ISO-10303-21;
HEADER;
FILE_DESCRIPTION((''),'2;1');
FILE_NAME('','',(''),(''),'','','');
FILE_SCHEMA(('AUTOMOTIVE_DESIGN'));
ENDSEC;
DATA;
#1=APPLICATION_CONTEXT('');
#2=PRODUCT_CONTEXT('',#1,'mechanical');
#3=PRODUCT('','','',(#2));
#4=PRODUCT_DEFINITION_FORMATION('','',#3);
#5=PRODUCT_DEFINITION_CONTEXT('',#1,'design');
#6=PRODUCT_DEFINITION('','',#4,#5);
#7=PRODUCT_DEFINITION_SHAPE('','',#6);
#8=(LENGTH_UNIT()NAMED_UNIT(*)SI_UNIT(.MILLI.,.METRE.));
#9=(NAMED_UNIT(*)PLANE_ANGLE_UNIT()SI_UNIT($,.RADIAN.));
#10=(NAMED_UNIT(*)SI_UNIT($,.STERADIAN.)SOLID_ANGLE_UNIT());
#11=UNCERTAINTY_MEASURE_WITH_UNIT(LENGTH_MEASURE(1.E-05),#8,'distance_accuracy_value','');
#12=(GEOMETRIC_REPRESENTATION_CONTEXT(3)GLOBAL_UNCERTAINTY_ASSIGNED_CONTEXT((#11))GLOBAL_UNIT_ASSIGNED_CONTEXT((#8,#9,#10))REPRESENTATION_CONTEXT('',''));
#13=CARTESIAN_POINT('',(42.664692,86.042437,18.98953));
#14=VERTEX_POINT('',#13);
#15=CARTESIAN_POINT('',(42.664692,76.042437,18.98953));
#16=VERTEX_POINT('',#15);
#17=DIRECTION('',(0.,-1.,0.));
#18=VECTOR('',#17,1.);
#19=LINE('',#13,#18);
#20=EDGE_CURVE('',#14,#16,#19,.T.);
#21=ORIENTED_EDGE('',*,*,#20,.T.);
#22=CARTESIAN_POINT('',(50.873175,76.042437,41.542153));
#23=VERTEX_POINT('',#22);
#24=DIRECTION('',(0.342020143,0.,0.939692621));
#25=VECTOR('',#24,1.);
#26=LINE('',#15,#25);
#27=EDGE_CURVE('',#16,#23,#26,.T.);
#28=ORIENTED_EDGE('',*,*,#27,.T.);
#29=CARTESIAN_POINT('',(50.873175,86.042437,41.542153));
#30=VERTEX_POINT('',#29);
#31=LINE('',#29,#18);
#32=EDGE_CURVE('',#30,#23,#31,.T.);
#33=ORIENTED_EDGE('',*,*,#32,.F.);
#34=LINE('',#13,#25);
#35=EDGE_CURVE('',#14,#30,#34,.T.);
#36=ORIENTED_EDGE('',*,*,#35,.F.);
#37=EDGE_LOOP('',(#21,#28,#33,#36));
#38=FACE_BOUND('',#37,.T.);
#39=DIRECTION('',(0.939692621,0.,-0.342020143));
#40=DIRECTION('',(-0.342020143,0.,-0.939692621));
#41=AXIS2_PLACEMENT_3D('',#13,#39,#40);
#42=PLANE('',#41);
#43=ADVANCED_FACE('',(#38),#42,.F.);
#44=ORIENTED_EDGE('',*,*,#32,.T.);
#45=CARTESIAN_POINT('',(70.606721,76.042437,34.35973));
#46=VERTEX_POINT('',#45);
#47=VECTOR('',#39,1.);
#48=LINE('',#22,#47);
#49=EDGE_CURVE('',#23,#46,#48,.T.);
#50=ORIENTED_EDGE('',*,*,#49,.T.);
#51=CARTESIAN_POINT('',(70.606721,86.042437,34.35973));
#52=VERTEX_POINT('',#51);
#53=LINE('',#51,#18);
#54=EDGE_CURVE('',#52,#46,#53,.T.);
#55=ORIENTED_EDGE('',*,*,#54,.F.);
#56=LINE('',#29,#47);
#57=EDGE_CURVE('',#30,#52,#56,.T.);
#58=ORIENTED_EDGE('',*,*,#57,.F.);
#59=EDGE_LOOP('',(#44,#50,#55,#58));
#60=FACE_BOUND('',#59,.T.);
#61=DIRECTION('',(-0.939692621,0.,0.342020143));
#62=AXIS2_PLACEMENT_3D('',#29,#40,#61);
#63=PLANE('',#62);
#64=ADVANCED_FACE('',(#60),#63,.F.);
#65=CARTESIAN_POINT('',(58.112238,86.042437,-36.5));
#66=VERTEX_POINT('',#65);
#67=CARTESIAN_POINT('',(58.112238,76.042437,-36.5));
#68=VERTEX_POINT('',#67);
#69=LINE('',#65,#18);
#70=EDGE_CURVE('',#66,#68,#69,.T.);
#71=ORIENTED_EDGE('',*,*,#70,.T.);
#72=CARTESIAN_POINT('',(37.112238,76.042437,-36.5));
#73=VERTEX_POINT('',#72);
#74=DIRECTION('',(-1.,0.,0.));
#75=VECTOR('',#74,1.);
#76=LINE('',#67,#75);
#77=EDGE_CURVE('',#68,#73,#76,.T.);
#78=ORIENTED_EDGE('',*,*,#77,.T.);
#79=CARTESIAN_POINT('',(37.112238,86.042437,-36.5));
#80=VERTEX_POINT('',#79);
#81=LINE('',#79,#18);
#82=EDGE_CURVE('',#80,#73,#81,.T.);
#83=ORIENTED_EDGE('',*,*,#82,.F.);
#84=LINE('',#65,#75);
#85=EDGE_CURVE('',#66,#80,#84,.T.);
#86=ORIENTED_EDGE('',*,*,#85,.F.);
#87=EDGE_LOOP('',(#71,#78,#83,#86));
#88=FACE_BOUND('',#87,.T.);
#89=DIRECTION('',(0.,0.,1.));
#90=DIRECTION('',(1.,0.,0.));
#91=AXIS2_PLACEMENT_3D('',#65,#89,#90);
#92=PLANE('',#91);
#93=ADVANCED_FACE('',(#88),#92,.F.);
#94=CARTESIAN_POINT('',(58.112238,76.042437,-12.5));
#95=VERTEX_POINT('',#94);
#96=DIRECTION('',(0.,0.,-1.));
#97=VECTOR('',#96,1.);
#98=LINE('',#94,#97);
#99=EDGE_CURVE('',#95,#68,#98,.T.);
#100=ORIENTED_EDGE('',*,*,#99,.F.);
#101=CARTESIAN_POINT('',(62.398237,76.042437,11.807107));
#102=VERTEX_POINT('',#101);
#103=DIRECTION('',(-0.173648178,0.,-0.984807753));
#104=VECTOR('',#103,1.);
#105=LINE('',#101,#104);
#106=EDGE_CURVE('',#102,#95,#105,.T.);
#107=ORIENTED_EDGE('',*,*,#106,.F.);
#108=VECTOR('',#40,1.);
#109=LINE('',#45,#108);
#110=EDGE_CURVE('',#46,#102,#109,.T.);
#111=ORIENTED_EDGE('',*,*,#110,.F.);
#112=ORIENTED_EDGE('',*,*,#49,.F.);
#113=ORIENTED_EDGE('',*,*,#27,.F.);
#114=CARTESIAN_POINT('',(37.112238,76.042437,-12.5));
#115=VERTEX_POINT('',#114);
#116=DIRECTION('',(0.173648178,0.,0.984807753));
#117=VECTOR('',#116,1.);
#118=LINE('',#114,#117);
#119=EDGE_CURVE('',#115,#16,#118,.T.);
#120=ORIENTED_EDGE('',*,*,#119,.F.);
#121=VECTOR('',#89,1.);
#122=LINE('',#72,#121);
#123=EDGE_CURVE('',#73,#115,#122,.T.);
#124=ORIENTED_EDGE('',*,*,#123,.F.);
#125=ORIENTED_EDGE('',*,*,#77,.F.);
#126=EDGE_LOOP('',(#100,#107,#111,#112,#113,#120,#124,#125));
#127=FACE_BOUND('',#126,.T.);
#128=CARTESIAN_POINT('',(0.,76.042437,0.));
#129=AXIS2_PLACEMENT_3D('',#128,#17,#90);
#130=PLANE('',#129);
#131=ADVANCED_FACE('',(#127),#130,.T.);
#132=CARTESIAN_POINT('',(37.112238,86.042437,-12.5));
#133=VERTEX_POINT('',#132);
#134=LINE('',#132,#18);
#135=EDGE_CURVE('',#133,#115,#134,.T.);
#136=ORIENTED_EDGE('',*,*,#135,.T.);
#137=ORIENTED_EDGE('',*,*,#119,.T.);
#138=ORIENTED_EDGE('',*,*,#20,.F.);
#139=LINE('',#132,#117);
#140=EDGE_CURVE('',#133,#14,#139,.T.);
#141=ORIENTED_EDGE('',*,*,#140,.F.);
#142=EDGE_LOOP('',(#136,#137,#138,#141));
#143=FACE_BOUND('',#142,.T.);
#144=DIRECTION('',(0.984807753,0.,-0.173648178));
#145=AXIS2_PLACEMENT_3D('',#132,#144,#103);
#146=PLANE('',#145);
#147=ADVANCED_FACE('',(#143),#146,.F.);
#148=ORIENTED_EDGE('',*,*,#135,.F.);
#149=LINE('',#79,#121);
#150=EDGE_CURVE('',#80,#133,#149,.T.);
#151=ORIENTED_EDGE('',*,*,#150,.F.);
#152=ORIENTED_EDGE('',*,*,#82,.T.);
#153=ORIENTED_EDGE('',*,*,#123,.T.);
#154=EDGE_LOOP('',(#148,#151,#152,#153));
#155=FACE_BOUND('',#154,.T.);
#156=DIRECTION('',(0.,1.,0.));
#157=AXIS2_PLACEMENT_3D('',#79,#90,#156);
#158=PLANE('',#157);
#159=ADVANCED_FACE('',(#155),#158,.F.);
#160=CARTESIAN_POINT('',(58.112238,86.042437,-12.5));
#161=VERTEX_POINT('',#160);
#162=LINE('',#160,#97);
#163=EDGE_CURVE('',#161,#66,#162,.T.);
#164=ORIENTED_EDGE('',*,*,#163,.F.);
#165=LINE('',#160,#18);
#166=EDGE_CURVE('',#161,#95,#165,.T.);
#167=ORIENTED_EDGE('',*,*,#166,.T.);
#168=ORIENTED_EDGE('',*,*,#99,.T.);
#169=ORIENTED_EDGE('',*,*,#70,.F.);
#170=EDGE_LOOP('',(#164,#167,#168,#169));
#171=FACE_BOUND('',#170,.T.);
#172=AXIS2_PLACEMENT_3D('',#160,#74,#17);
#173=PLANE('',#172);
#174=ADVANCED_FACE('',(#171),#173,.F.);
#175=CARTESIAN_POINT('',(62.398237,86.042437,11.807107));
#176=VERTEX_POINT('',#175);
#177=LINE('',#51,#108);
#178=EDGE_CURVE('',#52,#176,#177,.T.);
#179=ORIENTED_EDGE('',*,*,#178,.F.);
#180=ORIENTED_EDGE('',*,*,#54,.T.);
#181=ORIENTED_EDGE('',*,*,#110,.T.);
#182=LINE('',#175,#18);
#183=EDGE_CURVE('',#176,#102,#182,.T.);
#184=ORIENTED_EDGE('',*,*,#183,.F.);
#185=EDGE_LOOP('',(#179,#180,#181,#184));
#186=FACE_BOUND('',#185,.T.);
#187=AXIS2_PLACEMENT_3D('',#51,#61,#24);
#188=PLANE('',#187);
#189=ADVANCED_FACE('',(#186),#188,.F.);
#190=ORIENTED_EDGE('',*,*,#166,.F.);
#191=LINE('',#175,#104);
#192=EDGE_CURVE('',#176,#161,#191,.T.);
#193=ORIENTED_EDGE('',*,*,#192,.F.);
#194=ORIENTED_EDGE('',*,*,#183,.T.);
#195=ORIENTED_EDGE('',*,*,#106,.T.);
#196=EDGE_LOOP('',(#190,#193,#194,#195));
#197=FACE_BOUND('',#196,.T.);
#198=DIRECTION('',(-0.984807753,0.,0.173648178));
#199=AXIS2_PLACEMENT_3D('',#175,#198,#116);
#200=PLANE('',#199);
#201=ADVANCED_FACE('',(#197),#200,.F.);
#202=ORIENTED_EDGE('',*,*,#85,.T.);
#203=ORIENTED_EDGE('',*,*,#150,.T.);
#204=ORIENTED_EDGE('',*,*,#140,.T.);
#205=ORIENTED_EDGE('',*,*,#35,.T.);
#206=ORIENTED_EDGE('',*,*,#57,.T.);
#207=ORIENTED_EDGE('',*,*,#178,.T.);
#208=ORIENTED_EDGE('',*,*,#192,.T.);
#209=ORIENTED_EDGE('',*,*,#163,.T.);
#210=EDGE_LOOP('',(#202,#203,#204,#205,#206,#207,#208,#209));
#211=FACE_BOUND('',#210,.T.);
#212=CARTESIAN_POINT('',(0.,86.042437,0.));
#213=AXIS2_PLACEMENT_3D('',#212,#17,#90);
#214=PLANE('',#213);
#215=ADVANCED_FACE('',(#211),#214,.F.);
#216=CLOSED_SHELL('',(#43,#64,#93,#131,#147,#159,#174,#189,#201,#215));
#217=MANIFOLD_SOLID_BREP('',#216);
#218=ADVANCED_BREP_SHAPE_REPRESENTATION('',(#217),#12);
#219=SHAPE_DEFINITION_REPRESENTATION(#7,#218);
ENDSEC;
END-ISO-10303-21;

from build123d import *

# Parameters (mm, degrees)
BOSS_EXTRUDE1_DEPTH = 10


with BuildPart() as part:
    # Sketch1 → Boss-Extrude1 (new body)
    with BuildSketch(Plane(origin=(0, 76.042436513, 0), x_dir=(1, 0, 0), z_dir=(0, 1, 0))):
        Polygon((37.112238255, 12.500000075), (42.664692059, -18.989530241), (50.873175486, -41.542153104), (70.606720523, -34.359730095), (62.398237096, -11.807107231), (58.112238255, 12.500000075), (58.112238255, 36.500000037), (37.112238255, 36.500000037), align=None)
    extrude(amount=BOSS_EXTRUDE1_DEPTH)


solid = part.part
